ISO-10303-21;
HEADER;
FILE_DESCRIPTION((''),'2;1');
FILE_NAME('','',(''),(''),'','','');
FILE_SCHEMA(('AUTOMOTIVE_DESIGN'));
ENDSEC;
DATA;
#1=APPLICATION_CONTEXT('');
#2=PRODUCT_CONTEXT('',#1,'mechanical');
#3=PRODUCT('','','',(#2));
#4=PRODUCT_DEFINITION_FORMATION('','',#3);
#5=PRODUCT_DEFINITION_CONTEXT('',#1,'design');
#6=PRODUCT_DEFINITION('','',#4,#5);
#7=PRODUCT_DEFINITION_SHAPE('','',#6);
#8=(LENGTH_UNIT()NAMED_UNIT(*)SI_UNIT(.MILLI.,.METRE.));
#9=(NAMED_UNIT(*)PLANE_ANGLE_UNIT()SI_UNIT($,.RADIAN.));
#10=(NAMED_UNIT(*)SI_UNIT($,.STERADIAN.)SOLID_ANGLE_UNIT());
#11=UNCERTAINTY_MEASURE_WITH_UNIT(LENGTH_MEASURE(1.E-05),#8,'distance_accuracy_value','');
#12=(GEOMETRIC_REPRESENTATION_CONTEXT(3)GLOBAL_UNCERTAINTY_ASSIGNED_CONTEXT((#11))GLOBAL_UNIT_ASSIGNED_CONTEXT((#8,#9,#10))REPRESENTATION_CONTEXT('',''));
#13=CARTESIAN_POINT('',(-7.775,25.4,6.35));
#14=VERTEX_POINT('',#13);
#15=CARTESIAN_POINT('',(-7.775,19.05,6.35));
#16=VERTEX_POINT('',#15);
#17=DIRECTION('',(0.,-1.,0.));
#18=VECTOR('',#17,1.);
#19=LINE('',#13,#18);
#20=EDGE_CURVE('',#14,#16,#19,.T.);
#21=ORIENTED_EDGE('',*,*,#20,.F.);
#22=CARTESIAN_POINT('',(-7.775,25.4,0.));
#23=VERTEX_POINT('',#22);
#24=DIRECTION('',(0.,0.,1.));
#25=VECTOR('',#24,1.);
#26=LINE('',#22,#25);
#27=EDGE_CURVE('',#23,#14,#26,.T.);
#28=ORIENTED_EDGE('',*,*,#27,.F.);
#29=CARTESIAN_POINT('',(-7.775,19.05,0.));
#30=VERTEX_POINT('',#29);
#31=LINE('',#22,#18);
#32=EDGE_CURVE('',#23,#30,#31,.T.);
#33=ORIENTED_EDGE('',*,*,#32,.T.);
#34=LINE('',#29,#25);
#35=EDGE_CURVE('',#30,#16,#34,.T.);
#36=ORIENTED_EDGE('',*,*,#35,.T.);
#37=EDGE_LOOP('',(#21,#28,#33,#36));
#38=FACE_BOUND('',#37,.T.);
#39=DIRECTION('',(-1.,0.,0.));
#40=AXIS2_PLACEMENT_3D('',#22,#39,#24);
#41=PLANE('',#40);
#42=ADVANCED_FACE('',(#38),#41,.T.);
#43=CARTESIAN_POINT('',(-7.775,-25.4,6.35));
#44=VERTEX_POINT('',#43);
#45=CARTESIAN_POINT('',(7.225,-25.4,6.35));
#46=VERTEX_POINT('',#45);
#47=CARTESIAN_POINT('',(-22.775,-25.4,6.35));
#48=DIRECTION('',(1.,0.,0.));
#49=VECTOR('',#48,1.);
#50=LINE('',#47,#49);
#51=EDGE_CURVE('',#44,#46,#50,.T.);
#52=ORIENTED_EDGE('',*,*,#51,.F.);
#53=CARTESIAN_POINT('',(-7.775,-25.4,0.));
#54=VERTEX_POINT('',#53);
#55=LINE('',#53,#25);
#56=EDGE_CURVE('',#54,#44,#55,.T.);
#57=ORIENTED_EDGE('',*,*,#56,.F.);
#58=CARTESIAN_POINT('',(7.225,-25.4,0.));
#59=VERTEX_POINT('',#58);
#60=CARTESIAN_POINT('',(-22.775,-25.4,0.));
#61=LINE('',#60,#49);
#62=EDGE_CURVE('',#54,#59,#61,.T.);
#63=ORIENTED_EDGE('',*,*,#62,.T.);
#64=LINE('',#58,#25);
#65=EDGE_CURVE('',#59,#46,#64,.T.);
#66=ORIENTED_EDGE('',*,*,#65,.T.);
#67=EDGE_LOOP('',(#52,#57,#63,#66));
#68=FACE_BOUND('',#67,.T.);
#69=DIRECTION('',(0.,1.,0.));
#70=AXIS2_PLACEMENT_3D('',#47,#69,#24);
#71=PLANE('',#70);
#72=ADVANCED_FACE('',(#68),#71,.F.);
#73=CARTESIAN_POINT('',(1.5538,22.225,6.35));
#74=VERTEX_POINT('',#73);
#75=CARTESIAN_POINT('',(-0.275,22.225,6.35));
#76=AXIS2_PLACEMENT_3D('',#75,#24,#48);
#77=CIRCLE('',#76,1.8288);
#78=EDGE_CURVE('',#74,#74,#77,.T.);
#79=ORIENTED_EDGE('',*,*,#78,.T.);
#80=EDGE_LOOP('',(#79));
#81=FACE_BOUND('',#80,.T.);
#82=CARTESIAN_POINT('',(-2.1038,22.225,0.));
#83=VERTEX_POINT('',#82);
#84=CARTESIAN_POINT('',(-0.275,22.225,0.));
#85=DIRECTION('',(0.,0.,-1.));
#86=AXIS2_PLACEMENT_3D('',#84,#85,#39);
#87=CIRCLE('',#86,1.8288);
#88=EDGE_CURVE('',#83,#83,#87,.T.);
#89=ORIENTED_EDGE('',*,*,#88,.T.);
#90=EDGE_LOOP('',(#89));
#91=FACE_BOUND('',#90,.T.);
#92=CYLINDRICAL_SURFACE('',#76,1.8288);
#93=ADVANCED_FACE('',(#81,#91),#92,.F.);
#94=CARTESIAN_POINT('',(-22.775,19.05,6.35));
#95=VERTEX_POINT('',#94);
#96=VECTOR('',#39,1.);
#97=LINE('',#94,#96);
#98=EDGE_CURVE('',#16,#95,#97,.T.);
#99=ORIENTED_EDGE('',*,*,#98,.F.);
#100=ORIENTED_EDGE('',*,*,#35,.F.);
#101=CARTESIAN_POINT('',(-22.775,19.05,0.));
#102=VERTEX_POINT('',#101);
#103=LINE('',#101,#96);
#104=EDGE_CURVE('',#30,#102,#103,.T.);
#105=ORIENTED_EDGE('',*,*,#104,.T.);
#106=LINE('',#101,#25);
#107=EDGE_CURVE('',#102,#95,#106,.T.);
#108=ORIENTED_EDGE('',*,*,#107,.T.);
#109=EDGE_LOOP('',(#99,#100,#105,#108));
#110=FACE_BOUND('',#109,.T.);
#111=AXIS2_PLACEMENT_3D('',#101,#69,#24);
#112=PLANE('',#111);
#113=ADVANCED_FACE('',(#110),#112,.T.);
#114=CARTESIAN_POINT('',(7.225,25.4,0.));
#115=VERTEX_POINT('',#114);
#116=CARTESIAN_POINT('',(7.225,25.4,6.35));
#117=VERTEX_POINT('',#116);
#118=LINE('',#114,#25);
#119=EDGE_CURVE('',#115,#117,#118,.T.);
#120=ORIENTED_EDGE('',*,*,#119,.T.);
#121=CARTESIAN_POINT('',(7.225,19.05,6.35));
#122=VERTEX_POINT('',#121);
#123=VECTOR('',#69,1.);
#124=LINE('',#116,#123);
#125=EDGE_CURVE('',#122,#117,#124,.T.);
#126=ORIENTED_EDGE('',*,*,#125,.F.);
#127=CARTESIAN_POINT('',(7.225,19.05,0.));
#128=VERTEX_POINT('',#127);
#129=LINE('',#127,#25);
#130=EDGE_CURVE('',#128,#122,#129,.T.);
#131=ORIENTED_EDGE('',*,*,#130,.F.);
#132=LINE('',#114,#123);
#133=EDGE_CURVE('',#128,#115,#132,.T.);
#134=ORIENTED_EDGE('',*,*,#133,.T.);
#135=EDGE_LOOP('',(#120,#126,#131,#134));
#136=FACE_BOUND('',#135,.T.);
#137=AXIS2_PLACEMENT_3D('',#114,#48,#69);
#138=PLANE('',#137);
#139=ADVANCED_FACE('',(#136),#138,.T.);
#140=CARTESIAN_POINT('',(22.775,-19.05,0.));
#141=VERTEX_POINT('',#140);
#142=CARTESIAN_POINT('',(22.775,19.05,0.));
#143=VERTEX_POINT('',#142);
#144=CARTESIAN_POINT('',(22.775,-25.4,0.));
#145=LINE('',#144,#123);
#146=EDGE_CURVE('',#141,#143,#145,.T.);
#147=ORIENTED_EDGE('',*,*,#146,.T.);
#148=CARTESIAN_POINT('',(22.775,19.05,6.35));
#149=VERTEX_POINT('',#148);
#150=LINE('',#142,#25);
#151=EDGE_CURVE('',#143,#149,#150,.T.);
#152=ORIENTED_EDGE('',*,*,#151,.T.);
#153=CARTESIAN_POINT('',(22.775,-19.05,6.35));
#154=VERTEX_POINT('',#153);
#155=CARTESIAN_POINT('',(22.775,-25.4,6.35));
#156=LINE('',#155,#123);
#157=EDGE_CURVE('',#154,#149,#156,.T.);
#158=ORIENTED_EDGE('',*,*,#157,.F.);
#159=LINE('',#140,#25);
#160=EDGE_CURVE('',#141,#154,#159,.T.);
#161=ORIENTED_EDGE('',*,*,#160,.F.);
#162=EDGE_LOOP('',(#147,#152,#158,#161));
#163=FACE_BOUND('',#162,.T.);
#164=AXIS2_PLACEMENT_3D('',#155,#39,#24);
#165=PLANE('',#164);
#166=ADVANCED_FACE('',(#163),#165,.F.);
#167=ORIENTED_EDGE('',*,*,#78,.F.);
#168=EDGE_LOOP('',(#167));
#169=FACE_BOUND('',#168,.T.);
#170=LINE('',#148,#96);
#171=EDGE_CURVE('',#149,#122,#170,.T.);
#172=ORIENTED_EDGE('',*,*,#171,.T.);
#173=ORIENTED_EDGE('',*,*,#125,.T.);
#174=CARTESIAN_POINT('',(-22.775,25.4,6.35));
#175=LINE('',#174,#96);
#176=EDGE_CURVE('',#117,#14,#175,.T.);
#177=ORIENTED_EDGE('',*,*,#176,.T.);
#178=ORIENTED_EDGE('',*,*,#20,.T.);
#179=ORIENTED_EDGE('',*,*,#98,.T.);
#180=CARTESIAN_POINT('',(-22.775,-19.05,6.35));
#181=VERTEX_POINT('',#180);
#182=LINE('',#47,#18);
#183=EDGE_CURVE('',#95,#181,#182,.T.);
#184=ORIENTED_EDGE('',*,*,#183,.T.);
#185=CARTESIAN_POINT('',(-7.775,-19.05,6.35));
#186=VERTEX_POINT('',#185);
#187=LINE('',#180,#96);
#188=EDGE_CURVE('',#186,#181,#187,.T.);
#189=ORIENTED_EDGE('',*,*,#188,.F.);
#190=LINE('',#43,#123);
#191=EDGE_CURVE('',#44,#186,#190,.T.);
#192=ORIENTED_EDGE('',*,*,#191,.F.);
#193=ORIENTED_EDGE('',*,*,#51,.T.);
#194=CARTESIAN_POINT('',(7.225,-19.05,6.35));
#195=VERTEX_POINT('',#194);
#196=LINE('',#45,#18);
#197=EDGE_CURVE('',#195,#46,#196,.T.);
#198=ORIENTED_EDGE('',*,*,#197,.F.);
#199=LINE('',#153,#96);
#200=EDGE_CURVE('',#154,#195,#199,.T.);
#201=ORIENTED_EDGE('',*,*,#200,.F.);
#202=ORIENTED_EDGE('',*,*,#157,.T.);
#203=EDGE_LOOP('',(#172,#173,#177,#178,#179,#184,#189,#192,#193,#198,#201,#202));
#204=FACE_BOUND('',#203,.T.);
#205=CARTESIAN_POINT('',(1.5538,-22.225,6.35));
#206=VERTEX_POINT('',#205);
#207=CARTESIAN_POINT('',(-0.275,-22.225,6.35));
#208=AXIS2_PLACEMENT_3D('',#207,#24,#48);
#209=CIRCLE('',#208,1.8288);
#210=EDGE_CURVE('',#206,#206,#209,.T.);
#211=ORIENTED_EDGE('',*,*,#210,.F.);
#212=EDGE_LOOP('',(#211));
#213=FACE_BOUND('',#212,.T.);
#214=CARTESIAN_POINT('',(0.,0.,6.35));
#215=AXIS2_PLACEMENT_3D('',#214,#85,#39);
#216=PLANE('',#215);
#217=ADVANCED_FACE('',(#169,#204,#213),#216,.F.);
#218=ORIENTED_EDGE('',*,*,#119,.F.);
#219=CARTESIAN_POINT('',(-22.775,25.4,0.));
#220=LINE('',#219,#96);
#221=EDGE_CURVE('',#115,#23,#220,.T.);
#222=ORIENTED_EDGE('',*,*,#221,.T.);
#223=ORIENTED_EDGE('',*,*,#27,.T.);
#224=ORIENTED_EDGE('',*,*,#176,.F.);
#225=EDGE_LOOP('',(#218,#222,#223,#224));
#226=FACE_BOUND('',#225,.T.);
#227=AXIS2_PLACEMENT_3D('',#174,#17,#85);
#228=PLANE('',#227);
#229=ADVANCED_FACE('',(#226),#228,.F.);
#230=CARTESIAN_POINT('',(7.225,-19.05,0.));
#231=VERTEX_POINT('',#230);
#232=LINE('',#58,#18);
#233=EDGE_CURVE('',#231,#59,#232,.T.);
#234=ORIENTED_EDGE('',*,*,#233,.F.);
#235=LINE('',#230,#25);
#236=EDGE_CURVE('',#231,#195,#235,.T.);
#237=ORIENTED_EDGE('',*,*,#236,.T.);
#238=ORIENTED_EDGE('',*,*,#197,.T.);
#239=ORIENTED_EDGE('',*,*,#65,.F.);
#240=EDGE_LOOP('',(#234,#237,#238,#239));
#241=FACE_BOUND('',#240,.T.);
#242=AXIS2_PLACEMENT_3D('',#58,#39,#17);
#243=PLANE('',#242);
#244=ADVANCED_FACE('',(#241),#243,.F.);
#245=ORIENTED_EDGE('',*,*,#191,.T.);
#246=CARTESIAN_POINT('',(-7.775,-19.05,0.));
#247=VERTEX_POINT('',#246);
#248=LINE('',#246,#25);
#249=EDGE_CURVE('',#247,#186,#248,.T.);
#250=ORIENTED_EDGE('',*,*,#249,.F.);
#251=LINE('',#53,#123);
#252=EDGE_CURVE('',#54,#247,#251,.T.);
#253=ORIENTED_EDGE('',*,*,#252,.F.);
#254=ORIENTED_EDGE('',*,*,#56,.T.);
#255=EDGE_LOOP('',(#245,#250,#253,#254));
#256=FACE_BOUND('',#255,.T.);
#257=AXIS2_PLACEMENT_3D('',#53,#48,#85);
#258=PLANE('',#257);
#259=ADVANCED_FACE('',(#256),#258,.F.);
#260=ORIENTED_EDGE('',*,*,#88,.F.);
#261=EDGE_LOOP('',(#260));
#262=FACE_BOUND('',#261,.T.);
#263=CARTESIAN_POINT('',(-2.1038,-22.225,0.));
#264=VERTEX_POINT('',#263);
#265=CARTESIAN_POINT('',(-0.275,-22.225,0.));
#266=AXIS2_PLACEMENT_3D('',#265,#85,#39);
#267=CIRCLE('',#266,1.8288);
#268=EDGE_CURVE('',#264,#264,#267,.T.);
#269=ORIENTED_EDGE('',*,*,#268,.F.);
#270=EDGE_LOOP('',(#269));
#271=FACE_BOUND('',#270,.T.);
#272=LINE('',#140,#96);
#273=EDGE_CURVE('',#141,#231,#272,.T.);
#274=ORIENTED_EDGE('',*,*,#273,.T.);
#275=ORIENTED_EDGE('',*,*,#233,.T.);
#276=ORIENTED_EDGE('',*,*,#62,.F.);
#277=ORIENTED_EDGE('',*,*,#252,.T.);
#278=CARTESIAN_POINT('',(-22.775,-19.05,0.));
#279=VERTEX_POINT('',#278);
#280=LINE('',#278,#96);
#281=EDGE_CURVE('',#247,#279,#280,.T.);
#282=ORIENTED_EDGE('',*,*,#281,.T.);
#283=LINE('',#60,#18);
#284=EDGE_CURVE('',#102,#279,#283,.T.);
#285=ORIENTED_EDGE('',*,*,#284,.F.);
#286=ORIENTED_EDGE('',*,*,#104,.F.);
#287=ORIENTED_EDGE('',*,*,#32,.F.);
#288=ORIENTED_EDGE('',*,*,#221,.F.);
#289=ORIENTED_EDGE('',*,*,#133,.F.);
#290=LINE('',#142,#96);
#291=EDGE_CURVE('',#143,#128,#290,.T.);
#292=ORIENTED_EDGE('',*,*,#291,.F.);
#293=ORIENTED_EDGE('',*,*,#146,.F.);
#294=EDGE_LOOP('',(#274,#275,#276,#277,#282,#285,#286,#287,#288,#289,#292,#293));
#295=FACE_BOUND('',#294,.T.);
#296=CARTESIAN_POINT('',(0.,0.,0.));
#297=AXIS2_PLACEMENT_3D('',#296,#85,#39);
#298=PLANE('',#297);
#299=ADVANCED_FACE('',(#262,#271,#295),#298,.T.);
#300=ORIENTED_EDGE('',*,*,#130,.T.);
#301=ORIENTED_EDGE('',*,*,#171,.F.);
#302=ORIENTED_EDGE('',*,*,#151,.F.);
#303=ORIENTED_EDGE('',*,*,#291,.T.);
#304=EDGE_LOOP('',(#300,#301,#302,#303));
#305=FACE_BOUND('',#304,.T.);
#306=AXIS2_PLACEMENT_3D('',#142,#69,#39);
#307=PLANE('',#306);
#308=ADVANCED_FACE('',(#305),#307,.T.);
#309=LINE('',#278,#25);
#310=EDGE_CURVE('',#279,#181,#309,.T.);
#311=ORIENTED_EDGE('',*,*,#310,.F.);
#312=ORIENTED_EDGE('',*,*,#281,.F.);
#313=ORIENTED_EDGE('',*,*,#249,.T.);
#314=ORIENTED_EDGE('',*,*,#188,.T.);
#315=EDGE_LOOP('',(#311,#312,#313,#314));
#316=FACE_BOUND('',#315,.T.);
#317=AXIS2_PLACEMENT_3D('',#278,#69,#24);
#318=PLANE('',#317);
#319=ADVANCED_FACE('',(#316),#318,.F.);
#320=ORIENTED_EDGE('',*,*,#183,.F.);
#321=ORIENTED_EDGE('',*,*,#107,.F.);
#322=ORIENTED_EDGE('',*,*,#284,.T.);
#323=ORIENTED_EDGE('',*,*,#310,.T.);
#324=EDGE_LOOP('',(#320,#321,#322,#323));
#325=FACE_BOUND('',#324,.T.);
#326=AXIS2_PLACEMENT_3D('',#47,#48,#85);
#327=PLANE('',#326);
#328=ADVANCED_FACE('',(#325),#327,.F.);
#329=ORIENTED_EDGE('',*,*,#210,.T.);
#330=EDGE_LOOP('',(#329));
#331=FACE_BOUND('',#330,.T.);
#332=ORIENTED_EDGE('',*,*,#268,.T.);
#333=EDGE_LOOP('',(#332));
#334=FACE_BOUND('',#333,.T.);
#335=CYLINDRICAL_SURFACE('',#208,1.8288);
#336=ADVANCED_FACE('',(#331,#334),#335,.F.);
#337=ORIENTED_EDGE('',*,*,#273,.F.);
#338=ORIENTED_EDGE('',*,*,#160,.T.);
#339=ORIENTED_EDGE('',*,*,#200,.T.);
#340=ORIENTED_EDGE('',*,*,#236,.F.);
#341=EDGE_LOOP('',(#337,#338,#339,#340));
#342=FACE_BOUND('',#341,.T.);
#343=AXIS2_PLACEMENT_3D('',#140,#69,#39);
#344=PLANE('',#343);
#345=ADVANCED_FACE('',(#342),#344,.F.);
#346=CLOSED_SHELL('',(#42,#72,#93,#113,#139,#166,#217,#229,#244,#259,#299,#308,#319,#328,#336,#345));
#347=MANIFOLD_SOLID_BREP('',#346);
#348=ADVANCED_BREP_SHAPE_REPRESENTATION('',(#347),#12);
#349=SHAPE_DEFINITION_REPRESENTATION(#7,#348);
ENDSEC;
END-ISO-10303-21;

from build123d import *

# Parameters (mm, degrees)
SKETCH1_W             = 45.55
SKETCH1_H             = 50.8
BOSS_EXTRUDE1_DEPTH   = 6.35
SKETCH2_W             = 15
SKETCH2_H             = 6.35
SKETCH2_W_2           = 15.55
CUT_EXTRUDE1_DEPTH    = 6.35
F_6_CLEARANCE_HOLE1_D = 3.6576


with BuildPart() as part:
    # Sketch1 → Boss-Extrude1 (new body)
    with BuildSketch(Plane.XY):
        Rectangle(SKETCH1_W, SKETCH1_H)
    extrude(amount=BOSS_EXTRUDE1_DEPTH)

    # Sketch2 → Cut-Extrude1 (cut)
    with BuildSketch(Plane.XY.offset(6.35)):
        with Locations((-15.275, -22.225)):
            Rectangle(SKETCH2_W, SKETCH2_H)
        with Locations((15, -22.225)):
            Rectangle(SKETCH2_W_2, SKETCH2_H)
    cut_extrude1 = extrude(amount=-CUT_EXTRUDE1_DEPTH, mode=Mode.SUBTRACT)

    # #6 Clearance Hole1 (through all)
    with Locations(Plane.XY.offset(6.35)):
        with Locations((-0.275, -22.225)):
            f_6_clearance_hole1 = Hole(F_6_CLEARANCE_HOLE1_D / 2)

    # Mirror1: Cut-Extrude1, #6 Clearance Hole1 across plane
    add(cut_extrude1.mirror(Plane.ZX), mode=Mode.SUBTRACT)
    add(f_6_clearance_hole1.mirror(Plane.ZX), mode=Mode.SUBTRACT)


solid = part.part
